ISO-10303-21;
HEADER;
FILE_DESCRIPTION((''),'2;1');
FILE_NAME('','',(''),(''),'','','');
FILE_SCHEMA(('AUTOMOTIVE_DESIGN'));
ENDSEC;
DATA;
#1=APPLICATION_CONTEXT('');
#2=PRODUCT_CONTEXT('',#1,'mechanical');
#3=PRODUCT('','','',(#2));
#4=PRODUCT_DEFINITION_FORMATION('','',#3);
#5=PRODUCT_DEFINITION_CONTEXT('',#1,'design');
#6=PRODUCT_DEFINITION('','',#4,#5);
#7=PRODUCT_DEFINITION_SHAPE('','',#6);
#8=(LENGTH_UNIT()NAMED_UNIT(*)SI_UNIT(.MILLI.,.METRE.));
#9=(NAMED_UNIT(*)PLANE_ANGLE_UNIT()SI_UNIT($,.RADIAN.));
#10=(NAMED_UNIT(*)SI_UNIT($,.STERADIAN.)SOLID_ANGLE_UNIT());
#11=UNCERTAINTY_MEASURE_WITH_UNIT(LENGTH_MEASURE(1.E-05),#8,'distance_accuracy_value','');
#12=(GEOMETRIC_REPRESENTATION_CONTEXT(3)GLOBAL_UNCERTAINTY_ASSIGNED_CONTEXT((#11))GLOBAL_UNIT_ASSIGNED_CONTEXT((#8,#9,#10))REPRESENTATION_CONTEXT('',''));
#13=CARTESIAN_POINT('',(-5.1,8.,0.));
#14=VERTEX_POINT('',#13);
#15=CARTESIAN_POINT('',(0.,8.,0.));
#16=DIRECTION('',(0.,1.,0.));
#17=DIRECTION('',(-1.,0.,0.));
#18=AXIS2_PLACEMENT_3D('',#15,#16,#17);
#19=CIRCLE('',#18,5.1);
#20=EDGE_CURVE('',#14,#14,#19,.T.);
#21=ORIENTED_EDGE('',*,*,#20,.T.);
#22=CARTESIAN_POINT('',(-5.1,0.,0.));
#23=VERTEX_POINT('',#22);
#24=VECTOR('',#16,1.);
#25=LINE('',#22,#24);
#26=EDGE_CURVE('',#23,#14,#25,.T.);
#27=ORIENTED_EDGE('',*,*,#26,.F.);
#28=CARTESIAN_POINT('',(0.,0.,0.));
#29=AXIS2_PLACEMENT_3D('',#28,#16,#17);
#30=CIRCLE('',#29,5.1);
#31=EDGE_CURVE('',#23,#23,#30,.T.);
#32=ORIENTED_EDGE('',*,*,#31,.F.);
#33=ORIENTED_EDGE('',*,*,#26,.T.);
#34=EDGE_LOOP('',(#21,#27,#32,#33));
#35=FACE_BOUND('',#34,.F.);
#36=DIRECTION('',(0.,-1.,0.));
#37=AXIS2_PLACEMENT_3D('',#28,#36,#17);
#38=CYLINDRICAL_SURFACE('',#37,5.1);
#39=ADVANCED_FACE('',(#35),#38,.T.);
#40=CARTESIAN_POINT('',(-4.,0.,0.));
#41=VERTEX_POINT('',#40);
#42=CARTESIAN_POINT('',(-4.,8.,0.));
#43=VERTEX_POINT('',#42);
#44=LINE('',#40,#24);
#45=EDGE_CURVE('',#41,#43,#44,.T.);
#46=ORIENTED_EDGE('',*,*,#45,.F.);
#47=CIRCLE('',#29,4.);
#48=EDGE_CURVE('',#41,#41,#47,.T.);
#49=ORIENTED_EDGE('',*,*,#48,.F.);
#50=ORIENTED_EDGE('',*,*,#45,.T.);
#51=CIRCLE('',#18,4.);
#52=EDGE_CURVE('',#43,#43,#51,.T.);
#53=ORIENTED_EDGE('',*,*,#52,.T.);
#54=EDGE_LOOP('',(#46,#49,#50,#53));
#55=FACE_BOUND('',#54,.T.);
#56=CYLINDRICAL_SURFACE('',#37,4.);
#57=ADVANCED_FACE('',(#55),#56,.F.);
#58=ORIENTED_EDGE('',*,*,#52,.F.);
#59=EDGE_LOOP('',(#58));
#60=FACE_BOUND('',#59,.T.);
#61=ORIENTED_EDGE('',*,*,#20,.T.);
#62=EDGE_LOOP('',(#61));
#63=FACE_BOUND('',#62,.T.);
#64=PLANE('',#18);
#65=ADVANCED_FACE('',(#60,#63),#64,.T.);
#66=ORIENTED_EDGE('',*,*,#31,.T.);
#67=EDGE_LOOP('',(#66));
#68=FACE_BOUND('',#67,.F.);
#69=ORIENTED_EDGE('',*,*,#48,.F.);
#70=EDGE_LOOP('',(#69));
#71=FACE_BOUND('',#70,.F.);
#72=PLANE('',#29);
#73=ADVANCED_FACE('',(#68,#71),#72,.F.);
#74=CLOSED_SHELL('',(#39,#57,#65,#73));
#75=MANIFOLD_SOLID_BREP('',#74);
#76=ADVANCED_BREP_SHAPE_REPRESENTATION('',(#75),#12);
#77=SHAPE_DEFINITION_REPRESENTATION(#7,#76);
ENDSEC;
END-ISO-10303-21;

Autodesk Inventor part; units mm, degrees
ref_plane "YZ Plane" through (0, 0, 0) normal (1, 0, 0) x (0, 1, 0)
ref_plane "XZ Plane" through (0, 0, 0) normal (0, 1, 0) x (-1, 0, 0)
ref_plane "XY Plane" through (0, 0, 0) normal (0, 0, 1) x (1, 0, 0)
sketch "Sketch1" plane through (0, 0, 0) normal (0, 1, 0) x (-1, 0, 0)
  circle A0 centre (0, 0) radius 4
  circle A1 centre (0, 0) radius 5.1
  dimension "d0" = 8
  dimension "d1" = 10.2
extrude "Extrusion1" add sketch "Sketch1" along normal blind 8
properties part number "nozzle-8mm-dip"
